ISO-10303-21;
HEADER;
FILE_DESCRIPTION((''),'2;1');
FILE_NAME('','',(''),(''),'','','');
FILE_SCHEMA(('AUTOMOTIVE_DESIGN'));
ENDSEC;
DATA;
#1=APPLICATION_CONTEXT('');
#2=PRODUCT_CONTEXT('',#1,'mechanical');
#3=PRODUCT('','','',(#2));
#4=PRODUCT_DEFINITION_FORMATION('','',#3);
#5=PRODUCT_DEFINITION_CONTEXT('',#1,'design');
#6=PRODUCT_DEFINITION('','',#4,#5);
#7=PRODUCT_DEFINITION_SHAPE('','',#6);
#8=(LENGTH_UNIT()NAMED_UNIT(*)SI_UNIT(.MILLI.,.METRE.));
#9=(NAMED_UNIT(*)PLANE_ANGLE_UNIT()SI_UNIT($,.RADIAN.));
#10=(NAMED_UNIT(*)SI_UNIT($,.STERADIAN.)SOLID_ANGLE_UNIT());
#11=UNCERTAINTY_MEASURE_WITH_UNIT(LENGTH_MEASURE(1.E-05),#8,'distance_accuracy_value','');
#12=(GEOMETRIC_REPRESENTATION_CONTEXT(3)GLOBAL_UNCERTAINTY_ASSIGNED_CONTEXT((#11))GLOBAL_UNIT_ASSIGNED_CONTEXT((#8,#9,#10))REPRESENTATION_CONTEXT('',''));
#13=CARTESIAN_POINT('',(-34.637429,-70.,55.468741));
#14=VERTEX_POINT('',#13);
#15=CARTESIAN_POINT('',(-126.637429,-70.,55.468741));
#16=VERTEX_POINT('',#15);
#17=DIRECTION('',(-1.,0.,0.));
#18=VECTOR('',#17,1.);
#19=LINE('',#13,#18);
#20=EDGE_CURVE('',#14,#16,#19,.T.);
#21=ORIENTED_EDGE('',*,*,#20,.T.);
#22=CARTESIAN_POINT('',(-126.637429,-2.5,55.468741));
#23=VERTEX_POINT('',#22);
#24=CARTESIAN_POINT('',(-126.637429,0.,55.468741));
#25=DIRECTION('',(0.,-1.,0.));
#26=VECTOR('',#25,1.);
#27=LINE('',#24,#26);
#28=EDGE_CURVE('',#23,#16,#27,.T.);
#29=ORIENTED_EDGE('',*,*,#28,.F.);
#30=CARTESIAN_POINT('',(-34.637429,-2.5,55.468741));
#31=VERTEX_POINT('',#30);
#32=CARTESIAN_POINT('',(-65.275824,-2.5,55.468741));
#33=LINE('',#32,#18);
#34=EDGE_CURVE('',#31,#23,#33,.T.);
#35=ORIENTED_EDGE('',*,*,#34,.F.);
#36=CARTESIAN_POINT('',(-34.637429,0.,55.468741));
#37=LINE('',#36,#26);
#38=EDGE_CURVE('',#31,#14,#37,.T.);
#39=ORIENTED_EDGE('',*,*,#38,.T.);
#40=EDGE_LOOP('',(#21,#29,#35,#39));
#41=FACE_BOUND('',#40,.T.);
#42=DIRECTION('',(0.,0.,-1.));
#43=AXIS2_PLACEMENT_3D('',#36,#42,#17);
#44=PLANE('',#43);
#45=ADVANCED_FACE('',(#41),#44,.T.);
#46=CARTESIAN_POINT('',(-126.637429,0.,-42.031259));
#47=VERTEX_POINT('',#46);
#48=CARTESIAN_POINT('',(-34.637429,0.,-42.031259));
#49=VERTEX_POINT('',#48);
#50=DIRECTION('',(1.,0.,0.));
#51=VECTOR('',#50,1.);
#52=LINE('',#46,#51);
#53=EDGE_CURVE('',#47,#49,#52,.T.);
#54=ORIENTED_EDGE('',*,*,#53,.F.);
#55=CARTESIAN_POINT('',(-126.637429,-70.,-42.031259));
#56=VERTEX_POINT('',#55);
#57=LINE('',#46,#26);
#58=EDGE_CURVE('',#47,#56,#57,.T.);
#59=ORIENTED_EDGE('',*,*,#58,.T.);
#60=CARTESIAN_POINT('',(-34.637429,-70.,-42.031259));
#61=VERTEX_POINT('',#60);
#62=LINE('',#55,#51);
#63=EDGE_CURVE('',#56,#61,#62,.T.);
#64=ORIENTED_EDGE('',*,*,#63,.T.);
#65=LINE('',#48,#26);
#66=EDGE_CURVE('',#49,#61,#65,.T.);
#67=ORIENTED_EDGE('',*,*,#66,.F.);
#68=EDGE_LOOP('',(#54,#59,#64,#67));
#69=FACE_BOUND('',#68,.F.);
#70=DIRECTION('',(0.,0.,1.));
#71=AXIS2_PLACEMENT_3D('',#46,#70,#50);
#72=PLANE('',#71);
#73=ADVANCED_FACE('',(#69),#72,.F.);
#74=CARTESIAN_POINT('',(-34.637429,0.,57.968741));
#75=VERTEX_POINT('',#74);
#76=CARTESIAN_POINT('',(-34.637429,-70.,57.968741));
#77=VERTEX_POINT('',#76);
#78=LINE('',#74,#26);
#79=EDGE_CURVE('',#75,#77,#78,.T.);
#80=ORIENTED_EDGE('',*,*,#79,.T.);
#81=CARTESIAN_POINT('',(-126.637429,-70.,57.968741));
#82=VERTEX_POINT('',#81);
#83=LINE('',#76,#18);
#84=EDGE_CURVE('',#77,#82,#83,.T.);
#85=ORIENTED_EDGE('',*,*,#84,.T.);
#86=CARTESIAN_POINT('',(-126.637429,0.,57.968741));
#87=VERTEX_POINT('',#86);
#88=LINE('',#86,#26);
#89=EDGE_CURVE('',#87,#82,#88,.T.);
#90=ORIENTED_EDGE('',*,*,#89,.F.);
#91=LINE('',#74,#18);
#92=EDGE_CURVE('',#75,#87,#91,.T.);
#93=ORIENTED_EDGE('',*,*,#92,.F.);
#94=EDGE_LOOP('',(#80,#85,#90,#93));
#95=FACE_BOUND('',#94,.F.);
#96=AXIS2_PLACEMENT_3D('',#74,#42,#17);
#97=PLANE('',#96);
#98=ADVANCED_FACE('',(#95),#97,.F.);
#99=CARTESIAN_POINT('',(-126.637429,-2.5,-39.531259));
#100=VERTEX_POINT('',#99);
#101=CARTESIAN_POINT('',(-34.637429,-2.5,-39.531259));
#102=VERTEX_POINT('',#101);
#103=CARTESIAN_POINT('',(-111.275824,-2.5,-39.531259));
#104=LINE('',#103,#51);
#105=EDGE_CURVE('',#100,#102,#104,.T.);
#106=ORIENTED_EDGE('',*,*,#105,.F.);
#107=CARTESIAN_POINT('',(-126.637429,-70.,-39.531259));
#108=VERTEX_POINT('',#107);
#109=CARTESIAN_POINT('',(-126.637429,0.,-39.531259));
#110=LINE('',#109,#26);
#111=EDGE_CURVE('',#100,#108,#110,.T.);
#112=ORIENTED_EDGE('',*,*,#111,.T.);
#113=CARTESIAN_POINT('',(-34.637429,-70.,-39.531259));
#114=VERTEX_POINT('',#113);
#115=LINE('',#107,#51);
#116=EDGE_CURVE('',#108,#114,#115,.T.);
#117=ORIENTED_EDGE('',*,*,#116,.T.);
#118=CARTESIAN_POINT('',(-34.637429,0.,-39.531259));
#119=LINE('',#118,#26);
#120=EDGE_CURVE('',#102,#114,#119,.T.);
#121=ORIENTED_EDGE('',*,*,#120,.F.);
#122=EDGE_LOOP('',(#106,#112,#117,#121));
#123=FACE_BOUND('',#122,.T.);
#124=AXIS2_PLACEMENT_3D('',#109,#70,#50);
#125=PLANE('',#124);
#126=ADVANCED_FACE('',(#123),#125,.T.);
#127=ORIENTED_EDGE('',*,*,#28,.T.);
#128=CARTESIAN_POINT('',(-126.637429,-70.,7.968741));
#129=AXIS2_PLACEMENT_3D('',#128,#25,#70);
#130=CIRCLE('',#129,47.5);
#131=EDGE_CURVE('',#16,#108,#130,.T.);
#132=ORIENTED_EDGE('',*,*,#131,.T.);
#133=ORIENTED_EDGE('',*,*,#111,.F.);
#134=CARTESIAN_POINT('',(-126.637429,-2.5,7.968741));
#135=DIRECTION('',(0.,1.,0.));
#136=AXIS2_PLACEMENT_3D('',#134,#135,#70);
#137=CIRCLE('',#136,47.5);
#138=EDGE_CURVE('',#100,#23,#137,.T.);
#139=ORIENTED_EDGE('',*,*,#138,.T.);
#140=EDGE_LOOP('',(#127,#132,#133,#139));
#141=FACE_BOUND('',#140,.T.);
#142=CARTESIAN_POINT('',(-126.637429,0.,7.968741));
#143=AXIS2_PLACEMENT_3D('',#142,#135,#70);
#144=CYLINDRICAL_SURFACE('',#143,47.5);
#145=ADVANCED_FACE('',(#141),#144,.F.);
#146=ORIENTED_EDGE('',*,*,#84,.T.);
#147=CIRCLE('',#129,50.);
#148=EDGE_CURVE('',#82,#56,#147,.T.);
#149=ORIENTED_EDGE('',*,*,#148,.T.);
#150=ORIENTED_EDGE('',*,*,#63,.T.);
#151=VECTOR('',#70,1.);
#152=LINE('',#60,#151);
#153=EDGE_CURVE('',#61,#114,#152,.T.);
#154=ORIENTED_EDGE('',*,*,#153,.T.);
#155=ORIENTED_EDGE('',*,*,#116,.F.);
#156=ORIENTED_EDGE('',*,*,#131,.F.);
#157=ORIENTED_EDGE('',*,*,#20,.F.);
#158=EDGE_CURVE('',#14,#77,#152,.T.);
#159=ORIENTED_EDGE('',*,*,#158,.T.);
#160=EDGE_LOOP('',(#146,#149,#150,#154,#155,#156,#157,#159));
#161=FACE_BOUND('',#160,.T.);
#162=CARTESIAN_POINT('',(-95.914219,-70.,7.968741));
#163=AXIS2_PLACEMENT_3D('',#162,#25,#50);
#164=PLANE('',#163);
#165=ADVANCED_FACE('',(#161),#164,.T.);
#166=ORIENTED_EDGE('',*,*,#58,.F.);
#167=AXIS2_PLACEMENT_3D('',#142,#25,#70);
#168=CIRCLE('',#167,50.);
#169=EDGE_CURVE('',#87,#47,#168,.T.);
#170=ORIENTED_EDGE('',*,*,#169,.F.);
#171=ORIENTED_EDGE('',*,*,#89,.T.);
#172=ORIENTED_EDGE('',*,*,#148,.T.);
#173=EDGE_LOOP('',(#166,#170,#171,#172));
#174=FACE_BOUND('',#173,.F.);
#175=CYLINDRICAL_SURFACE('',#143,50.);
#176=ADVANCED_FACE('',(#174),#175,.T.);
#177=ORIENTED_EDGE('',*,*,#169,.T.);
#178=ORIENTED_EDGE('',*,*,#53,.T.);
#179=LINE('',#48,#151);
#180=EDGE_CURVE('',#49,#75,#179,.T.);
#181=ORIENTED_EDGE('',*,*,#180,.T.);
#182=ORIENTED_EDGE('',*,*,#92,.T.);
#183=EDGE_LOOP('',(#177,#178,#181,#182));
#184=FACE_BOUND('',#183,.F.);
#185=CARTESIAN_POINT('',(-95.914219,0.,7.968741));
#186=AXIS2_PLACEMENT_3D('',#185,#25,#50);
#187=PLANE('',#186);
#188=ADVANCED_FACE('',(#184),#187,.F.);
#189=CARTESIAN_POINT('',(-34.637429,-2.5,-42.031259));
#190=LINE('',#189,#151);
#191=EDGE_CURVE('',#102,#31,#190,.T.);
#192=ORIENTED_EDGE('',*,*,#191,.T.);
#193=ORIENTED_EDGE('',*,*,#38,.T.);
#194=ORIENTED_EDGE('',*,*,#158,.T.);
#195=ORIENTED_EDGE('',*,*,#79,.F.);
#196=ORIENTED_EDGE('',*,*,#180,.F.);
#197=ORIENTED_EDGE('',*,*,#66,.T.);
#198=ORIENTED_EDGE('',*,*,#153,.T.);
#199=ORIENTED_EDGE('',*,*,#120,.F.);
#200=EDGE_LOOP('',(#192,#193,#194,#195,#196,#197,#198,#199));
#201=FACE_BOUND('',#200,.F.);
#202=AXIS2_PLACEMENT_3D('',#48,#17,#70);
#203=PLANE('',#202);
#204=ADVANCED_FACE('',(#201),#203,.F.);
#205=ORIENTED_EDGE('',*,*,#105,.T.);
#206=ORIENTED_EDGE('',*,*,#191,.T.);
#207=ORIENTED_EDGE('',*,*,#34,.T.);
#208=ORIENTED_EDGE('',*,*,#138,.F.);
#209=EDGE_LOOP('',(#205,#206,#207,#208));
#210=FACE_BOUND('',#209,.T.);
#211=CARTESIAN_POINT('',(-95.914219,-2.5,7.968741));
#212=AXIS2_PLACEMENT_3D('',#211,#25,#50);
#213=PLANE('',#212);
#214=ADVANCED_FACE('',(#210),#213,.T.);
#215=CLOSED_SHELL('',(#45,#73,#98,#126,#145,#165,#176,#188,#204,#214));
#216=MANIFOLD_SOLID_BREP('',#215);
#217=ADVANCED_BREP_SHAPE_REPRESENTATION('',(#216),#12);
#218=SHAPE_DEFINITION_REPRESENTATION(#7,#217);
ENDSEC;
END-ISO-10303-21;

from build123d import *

# Parameters (mm, degrees)
F1_DEPTH = 70
F2_T     = -2.5


with BuildPart() as f1:
    # F0 (on Front) → F1 (new body)
    with BuildSketch(Plane.XZ):
        with BuildLine():
            Line((-34.637429, 57.968741), (-126.637429, 57.968741))
            ThreePointArc((-126.637429, 57.968741), (-176.637429, 7.968741), (-126.637429, -42.031259))
            Line((-126.637429, -42.031259), (-34.637429, -42.031259))
            Line((-34.637429, -42.031259), (-34.637429, 57.968741))
        make_face()
    extrude(amount=F1_DEPTH)

    # F2
    f2_openings = [f1.faces().sort_by_distance(p)[0] for p in [
        (-34.637429, -35, 7.968741),
        (-100.746753, -70, 7.968741),
    ]]
    offset(amount=F2_T, openings=f2_openings)


solid = f1.part
